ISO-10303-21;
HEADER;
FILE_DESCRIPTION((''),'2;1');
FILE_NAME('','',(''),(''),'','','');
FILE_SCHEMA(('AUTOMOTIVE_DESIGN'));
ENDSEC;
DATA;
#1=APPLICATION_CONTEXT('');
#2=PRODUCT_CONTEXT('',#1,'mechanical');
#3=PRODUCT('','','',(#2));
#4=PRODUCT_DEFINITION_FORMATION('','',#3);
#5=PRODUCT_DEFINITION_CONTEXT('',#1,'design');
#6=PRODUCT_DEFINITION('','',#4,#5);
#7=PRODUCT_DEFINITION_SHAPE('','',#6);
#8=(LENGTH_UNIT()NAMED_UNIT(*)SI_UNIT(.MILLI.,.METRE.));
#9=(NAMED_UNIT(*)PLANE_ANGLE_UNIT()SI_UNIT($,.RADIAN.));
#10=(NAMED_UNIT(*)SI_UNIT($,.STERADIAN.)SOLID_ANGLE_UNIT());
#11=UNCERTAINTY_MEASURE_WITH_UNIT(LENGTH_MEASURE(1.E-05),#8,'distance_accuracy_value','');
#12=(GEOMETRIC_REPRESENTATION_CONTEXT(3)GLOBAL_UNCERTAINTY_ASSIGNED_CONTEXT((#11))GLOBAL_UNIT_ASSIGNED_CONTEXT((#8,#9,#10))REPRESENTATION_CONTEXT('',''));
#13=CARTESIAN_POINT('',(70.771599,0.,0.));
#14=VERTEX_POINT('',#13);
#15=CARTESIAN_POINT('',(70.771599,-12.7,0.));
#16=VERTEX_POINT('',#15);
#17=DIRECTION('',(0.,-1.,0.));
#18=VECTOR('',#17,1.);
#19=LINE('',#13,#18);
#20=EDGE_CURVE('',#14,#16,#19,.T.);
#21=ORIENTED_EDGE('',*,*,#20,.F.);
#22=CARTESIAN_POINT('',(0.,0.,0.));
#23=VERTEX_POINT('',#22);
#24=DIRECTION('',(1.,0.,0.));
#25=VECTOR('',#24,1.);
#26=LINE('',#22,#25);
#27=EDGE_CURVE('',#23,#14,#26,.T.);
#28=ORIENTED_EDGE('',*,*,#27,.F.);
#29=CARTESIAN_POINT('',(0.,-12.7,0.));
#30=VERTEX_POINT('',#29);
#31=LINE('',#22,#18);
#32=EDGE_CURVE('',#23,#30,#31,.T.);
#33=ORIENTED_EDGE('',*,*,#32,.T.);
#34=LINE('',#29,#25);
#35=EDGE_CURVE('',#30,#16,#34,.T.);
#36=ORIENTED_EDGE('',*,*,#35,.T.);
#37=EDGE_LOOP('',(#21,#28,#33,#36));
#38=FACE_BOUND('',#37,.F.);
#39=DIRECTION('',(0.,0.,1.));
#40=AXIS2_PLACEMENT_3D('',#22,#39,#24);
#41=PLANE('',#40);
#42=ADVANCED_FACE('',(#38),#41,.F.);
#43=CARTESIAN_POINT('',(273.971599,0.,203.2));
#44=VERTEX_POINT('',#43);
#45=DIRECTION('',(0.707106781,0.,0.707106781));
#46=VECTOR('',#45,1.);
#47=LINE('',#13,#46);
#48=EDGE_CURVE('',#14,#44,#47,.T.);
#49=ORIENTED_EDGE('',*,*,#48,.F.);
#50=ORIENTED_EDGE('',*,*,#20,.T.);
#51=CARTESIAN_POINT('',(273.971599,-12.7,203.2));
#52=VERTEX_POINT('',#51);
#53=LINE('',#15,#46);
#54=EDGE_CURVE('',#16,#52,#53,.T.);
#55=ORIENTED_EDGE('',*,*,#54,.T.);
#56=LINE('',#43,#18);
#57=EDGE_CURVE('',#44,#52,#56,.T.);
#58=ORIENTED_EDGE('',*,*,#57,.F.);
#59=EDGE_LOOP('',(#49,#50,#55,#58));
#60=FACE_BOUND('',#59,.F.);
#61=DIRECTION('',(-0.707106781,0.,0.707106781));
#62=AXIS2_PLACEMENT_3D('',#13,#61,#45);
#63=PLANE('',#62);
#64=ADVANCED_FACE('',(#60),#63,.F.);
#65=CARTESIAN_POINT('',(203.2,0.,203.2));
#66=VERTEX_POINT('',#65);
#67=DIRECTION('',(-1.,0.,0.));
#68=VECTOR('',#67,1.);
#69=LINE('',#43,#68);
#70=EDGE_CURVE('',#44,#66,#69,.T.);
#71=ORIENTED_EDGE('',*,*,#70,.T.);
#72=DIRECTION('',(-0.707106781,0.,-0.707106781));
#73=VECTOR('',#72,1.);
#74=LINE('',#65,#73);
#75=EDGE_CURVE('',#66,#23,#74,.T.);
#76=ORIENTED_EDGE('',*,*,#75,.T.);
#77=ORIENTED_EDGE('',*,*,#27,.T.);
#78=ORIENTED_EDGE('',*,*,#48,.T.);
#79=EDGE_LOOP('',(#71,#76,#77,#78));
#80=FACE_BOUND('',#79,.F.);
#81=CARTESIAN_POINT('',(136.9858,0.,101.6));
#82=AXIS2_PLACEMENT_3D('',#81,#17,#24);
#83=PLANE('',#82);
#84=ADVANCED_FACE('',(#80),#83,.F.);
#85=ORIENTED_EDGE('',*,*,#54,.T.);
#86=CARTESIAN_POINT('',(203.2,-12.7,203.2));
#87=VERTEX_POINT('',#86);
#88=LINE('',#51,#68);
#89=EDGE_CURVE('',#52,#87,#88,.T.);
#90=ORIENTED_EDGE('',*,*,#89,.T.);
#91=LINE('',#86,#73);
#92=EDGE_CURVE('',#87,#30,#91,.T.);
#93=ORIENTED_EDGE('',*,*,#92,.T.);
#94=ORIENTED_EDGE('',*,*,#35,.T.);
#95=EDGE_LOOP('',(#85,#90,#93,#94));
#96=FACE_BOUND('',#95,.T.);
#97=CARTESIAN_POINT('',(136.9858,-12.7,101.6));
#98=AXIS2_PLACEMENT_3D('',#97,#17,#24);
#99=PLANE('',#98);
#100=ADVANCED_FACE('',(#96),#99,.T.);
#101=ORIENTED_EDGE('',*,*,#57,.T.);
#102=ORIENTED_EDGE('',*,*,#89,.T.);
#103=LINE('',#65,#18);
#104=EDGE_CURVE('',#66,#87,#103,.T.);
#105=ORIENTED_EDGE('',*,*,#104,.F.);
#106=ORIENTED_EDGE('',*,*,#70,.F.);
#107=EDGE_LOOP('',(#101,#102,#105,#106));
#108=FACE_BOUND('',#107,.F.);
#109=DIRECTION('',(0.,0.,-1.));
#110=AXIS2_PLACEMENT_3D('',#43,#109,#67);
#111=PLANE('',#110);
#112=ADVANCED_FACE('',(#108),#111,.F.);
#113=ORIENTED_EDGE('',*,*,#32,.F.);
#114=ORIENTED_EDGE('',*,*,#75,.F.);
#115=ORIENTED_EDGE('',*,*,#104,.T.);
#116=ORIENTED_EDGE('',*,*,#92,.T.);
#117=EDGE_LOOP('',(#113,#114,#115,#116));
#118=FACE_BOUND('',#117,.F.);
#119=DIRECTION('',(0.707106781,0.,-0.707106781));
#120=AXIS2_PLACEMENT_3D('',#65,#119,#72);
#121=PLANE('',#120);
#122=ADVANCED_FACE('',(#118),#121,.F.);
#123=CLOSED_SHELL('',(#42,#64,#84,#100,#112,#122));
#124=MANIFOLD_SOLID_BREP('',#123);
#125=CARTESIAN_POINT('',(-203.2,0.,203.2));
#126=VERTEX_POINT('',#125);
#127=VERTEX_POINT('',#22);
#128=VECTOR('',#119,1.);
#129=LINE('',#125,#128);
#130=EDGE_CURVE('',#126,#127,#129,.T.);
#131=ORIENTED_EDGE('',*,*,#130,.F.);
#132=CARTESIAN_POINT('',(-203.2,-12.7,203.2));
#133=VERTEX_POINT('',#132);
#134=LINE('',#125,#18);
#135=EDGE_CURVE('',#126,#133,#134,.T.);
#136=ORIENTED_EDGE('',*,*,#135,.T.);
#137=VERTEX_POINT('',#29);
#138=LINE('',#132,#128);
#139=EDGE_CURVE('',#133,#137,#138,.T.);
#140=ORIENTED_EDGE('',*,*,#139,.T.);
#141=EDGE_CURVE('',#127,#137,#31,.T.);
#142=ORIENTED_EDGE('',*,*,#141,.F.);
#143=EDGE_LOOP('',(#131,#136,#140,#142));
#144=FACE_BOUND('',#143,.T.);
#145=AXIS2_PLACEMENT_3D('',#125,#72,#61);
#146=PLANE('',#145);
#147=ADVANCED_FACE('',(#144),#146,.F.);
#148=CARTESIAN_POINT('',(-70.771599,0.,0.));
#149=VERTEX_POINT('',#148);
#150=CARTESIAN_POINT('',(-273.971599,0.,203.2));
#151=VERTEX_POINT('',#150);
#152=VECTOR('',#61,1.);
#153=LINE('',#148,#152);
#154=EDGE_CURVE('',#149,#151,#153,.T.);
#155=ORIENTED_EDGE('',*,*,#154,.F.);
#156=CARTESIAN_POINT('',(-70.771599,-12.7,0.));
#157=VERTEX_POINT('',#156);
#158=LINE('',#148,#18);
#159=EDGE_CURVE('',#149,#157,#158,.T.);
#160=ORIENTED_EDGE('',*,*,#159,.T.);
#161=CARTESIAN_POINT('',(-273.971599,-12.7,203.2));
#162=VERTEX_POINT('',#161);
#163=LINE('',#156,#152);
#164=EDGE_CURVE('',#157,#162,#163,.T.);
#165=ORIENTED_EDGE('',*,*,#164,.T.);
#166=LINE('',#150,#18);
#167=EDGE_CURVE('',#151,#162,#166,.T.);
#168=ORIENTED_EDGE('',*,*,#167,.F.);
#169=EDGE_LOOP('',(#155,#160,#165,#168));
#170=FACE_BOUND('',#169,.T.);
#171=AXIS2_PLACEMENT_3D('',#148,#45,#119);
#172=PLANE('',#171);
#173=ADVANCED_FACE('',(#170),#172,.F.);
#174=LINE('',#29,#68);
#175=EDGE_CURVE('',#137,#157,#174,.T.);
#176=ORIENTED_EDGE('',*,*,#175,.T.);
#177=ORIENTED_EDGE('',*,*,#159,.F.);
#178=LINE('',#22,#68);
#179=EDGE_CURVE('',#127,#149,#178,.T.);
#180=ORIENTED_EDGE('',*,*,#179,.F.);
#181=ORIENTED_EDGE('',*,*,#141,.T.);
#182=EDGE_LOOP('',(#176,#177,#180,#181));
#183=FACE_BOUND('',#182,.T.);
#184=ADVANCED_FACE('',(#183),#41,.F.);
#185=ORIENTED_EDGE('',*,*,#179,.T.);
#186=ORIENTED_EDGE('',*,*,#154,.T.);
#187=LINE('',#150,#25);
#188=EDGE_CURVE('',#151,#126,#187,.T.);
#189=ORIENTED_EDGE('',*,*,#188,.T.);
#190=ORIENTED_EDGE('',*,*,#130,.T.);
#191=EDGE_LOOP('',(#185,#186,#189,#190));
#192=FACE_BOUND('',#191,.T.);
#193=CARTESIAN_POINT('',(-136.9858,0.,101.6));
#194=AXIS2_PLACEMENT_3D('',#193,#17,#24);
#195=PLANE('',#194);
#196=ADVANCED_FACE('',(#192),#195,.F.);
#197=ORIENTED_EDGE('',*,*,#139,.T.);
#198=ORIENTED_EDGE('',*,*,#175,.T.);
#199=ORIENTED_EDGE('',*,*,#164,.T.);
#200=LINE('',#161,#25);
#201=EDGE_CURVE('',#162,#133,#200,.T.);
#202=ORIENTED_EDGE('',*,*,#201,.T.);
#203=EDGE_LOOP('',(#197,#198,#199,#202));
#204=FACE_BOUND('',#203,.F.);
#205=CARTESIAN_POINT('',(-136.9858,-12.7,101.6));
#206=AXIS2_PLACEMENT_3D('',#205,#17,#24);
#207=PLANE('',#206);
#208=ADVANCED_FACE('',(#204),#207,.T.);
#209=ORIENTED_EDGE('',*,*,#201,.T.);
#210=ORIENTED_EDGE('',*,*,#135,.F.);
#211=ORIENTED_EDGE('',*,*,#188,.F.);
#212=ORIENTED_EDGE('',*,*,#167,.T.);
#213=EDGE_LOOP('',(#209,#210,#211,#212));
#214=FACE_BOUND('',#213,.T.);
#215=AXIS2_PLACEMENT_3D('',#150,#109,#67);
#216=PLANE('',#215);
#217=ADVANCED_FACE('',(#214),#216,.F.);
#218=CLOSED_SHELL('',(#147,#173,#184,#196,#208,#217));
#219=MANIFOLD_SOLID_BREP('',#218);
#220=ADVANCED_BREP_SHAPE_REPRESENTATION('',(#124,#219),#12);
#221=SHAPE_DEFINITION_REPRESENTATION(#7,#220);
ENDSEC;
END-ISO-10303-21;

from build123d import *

# Parameters (mm, degrees)
F2_DEPTH = 12.7


with BuildPart() as f2:
    # F1 (on face) → F2 (new body)
    with BuildSketch(Plane.XZ):
        Polygon((273.971599, 203.2), (203.2, 203.2), (0, 0), (70.771599, 0), align=None)
    extrude(amount=F2_DEPTH)


with BuildPart() as f3_1:
    # F3: instance of F2
    add(f2.part.mirror(Plane.YZ))


solid = Compound([f2.part, f3_1.part])
